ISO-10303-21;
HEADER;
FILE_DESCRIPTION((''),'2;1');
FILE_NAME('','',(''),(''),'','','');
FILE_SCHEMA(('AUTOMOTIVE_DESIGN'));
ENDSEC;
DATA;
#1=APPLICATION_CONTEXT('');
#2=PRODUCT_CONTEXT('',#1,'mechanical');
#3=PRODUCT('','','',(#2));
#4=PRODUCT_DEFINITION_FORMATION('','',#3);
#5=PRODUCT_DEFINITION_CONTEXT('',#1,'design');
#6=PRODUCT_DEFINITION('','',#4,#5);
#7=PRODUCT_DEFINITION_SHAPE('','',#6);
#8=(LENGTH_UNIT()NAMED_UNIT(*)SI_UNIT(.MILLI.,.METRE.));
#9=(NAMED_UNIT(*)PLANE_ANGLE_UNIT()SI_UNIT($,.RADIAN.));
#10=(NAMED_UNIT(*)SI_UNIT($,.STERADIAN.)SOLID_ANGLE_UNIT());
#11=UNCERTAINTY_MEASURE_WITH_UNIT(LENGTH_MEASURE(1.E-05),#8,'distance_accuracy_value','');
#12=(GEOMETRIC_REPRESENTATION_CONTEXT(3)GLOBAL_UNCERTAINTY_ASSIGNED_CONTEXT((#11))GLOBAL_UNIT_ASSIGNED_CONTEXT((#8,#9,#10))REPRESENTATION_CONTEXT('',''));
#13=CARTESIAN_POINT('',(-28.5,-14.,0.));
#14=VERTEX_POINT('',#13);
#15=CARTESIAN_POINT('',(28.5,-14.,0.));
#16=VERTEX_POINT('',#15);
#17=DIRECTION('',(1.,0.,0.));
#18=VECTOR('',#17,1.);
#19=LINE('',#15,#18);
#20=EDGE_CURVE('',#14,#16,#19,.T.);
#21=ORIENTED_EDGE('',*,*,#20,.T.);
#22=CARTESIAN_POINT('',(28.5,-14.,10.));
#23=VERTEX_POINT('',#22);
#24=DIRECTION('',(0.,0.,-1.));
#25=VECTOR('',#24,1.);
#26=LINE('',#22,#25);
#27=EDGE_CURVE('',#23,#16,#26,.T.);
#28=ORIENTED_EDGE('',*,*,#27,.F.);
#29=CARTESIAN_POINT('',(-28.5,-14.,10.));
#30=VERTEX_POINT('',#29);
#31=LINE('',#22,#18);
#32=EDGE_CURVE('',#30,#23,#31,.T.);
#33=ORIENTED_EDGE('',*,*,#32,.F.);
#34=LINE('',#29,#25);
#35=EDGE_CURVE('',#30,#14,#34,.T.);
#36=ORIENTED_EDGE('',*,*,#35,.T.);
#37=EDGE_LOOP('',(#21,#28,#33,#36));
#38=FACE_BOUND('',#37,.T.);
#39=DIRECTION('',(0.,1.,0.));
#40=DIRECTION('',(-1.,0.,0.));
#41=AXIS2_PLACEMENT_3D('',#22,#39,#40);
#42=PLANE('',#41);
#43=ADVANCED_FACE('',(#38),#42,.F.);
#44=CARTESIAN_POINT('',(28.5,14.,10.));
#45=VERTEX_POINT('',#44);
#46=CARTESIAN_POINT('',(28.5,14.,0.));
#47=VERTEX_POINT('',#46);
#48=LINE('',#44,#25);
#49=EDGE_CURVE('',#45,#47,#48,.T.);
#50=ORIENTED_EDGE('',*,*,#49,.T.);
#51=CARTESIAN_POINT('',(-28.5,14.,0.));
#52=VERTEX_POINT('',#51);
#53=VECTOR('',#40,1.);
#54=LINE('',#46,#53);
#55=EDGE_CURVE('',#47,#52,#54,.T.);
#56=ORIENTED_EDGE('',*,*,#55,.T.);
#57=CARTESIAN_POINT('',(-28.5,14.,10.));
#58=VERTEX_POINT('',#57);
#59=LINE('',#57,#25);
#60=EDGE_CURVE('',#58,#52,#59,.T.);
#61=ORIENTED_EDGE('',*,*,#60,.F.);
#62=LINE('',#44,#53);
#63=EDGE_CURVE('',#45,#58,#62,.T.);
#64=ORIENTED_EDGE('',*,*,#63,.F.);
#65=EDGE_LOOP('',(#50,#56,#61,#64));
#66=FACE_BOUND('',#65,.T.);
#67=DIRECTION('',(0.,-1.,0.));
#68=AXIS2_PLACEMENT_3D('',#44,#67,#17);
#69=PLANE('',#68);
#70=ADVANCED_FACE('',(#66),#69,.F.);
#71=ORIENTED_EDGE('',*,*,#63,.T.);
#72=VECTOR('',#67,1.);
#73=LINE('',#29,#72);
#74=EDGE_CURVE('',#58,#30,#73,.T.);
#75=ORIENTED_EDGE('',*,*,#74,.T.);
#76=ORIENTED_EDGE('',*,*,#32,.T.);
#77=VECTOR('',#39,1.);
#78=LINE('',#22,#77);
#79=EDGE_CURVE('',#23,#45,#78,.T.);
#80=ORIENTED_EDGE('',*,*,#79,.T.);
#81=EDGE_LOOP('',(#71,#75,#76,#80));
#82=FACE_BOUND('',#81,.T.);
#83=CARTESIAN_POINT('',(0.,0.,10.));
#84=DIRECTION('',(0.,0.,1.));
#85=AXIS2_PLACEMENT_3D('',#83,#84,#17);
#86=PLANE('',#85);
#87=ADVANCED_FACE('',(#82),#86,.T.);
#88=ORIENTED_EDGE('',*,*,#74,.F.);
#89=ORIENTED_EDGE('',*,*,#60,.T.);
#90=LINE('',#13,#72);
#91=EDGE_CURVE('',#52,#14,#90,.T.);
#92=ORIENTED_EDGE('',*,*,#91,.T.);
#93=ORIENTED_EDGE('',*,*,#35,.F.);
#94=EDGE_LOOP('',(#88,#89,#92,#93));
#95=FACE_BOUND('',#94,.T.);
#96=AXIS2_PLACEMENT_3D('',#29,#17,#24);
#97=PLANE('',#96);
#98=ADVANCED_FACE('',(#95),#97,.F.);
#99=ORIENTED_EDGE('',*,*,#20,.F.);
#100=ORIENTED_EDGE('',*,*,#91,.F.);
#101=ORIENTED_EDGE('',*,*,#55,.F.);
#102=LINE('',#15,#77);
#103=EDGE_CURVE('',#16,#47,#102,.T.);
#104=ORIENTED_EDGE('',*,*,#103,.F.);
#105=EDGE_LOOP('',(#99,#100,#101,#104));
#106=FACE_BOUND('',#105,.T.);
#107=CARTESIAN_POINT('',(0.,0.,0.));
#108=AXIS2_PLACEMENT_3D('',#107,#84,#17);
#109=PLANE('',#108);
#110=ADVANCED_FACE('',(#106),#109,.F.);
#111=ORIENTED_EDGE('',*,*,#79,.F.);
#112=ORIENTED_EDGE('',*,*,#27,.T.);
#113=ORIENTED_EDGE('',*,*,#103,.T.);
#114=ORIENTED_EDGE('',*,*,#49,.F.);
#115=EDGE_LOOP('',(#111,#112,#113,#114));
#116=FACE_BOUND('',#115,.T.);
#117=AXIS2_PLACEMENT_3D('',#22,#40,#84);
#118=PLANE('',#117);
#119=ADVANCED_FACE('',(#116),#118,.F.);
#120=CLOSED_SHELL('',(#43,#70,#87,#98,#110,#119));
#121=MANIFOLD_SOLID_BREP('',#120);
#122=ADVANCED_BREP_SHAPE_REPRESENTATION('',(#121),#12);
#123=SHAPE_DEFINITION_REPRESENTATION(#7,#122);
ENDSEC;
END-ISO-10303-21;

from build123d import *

# Parameters (mm, degrees)
SKETCH_1_W      = 57
SKETCH_1_H      = 28
EXTRUDE_1_DEPTH = 10


with BuildPart() as part:
    # 草图1 → 凸台-拉伸1 (new body)
    with BuildSketch(Plane.XY):
        Rectangle(SKETCH_1_W, SKETCH_1_H)
    extrude(amount=EXTRUDE_1_DEPTH)


solid = part.part
